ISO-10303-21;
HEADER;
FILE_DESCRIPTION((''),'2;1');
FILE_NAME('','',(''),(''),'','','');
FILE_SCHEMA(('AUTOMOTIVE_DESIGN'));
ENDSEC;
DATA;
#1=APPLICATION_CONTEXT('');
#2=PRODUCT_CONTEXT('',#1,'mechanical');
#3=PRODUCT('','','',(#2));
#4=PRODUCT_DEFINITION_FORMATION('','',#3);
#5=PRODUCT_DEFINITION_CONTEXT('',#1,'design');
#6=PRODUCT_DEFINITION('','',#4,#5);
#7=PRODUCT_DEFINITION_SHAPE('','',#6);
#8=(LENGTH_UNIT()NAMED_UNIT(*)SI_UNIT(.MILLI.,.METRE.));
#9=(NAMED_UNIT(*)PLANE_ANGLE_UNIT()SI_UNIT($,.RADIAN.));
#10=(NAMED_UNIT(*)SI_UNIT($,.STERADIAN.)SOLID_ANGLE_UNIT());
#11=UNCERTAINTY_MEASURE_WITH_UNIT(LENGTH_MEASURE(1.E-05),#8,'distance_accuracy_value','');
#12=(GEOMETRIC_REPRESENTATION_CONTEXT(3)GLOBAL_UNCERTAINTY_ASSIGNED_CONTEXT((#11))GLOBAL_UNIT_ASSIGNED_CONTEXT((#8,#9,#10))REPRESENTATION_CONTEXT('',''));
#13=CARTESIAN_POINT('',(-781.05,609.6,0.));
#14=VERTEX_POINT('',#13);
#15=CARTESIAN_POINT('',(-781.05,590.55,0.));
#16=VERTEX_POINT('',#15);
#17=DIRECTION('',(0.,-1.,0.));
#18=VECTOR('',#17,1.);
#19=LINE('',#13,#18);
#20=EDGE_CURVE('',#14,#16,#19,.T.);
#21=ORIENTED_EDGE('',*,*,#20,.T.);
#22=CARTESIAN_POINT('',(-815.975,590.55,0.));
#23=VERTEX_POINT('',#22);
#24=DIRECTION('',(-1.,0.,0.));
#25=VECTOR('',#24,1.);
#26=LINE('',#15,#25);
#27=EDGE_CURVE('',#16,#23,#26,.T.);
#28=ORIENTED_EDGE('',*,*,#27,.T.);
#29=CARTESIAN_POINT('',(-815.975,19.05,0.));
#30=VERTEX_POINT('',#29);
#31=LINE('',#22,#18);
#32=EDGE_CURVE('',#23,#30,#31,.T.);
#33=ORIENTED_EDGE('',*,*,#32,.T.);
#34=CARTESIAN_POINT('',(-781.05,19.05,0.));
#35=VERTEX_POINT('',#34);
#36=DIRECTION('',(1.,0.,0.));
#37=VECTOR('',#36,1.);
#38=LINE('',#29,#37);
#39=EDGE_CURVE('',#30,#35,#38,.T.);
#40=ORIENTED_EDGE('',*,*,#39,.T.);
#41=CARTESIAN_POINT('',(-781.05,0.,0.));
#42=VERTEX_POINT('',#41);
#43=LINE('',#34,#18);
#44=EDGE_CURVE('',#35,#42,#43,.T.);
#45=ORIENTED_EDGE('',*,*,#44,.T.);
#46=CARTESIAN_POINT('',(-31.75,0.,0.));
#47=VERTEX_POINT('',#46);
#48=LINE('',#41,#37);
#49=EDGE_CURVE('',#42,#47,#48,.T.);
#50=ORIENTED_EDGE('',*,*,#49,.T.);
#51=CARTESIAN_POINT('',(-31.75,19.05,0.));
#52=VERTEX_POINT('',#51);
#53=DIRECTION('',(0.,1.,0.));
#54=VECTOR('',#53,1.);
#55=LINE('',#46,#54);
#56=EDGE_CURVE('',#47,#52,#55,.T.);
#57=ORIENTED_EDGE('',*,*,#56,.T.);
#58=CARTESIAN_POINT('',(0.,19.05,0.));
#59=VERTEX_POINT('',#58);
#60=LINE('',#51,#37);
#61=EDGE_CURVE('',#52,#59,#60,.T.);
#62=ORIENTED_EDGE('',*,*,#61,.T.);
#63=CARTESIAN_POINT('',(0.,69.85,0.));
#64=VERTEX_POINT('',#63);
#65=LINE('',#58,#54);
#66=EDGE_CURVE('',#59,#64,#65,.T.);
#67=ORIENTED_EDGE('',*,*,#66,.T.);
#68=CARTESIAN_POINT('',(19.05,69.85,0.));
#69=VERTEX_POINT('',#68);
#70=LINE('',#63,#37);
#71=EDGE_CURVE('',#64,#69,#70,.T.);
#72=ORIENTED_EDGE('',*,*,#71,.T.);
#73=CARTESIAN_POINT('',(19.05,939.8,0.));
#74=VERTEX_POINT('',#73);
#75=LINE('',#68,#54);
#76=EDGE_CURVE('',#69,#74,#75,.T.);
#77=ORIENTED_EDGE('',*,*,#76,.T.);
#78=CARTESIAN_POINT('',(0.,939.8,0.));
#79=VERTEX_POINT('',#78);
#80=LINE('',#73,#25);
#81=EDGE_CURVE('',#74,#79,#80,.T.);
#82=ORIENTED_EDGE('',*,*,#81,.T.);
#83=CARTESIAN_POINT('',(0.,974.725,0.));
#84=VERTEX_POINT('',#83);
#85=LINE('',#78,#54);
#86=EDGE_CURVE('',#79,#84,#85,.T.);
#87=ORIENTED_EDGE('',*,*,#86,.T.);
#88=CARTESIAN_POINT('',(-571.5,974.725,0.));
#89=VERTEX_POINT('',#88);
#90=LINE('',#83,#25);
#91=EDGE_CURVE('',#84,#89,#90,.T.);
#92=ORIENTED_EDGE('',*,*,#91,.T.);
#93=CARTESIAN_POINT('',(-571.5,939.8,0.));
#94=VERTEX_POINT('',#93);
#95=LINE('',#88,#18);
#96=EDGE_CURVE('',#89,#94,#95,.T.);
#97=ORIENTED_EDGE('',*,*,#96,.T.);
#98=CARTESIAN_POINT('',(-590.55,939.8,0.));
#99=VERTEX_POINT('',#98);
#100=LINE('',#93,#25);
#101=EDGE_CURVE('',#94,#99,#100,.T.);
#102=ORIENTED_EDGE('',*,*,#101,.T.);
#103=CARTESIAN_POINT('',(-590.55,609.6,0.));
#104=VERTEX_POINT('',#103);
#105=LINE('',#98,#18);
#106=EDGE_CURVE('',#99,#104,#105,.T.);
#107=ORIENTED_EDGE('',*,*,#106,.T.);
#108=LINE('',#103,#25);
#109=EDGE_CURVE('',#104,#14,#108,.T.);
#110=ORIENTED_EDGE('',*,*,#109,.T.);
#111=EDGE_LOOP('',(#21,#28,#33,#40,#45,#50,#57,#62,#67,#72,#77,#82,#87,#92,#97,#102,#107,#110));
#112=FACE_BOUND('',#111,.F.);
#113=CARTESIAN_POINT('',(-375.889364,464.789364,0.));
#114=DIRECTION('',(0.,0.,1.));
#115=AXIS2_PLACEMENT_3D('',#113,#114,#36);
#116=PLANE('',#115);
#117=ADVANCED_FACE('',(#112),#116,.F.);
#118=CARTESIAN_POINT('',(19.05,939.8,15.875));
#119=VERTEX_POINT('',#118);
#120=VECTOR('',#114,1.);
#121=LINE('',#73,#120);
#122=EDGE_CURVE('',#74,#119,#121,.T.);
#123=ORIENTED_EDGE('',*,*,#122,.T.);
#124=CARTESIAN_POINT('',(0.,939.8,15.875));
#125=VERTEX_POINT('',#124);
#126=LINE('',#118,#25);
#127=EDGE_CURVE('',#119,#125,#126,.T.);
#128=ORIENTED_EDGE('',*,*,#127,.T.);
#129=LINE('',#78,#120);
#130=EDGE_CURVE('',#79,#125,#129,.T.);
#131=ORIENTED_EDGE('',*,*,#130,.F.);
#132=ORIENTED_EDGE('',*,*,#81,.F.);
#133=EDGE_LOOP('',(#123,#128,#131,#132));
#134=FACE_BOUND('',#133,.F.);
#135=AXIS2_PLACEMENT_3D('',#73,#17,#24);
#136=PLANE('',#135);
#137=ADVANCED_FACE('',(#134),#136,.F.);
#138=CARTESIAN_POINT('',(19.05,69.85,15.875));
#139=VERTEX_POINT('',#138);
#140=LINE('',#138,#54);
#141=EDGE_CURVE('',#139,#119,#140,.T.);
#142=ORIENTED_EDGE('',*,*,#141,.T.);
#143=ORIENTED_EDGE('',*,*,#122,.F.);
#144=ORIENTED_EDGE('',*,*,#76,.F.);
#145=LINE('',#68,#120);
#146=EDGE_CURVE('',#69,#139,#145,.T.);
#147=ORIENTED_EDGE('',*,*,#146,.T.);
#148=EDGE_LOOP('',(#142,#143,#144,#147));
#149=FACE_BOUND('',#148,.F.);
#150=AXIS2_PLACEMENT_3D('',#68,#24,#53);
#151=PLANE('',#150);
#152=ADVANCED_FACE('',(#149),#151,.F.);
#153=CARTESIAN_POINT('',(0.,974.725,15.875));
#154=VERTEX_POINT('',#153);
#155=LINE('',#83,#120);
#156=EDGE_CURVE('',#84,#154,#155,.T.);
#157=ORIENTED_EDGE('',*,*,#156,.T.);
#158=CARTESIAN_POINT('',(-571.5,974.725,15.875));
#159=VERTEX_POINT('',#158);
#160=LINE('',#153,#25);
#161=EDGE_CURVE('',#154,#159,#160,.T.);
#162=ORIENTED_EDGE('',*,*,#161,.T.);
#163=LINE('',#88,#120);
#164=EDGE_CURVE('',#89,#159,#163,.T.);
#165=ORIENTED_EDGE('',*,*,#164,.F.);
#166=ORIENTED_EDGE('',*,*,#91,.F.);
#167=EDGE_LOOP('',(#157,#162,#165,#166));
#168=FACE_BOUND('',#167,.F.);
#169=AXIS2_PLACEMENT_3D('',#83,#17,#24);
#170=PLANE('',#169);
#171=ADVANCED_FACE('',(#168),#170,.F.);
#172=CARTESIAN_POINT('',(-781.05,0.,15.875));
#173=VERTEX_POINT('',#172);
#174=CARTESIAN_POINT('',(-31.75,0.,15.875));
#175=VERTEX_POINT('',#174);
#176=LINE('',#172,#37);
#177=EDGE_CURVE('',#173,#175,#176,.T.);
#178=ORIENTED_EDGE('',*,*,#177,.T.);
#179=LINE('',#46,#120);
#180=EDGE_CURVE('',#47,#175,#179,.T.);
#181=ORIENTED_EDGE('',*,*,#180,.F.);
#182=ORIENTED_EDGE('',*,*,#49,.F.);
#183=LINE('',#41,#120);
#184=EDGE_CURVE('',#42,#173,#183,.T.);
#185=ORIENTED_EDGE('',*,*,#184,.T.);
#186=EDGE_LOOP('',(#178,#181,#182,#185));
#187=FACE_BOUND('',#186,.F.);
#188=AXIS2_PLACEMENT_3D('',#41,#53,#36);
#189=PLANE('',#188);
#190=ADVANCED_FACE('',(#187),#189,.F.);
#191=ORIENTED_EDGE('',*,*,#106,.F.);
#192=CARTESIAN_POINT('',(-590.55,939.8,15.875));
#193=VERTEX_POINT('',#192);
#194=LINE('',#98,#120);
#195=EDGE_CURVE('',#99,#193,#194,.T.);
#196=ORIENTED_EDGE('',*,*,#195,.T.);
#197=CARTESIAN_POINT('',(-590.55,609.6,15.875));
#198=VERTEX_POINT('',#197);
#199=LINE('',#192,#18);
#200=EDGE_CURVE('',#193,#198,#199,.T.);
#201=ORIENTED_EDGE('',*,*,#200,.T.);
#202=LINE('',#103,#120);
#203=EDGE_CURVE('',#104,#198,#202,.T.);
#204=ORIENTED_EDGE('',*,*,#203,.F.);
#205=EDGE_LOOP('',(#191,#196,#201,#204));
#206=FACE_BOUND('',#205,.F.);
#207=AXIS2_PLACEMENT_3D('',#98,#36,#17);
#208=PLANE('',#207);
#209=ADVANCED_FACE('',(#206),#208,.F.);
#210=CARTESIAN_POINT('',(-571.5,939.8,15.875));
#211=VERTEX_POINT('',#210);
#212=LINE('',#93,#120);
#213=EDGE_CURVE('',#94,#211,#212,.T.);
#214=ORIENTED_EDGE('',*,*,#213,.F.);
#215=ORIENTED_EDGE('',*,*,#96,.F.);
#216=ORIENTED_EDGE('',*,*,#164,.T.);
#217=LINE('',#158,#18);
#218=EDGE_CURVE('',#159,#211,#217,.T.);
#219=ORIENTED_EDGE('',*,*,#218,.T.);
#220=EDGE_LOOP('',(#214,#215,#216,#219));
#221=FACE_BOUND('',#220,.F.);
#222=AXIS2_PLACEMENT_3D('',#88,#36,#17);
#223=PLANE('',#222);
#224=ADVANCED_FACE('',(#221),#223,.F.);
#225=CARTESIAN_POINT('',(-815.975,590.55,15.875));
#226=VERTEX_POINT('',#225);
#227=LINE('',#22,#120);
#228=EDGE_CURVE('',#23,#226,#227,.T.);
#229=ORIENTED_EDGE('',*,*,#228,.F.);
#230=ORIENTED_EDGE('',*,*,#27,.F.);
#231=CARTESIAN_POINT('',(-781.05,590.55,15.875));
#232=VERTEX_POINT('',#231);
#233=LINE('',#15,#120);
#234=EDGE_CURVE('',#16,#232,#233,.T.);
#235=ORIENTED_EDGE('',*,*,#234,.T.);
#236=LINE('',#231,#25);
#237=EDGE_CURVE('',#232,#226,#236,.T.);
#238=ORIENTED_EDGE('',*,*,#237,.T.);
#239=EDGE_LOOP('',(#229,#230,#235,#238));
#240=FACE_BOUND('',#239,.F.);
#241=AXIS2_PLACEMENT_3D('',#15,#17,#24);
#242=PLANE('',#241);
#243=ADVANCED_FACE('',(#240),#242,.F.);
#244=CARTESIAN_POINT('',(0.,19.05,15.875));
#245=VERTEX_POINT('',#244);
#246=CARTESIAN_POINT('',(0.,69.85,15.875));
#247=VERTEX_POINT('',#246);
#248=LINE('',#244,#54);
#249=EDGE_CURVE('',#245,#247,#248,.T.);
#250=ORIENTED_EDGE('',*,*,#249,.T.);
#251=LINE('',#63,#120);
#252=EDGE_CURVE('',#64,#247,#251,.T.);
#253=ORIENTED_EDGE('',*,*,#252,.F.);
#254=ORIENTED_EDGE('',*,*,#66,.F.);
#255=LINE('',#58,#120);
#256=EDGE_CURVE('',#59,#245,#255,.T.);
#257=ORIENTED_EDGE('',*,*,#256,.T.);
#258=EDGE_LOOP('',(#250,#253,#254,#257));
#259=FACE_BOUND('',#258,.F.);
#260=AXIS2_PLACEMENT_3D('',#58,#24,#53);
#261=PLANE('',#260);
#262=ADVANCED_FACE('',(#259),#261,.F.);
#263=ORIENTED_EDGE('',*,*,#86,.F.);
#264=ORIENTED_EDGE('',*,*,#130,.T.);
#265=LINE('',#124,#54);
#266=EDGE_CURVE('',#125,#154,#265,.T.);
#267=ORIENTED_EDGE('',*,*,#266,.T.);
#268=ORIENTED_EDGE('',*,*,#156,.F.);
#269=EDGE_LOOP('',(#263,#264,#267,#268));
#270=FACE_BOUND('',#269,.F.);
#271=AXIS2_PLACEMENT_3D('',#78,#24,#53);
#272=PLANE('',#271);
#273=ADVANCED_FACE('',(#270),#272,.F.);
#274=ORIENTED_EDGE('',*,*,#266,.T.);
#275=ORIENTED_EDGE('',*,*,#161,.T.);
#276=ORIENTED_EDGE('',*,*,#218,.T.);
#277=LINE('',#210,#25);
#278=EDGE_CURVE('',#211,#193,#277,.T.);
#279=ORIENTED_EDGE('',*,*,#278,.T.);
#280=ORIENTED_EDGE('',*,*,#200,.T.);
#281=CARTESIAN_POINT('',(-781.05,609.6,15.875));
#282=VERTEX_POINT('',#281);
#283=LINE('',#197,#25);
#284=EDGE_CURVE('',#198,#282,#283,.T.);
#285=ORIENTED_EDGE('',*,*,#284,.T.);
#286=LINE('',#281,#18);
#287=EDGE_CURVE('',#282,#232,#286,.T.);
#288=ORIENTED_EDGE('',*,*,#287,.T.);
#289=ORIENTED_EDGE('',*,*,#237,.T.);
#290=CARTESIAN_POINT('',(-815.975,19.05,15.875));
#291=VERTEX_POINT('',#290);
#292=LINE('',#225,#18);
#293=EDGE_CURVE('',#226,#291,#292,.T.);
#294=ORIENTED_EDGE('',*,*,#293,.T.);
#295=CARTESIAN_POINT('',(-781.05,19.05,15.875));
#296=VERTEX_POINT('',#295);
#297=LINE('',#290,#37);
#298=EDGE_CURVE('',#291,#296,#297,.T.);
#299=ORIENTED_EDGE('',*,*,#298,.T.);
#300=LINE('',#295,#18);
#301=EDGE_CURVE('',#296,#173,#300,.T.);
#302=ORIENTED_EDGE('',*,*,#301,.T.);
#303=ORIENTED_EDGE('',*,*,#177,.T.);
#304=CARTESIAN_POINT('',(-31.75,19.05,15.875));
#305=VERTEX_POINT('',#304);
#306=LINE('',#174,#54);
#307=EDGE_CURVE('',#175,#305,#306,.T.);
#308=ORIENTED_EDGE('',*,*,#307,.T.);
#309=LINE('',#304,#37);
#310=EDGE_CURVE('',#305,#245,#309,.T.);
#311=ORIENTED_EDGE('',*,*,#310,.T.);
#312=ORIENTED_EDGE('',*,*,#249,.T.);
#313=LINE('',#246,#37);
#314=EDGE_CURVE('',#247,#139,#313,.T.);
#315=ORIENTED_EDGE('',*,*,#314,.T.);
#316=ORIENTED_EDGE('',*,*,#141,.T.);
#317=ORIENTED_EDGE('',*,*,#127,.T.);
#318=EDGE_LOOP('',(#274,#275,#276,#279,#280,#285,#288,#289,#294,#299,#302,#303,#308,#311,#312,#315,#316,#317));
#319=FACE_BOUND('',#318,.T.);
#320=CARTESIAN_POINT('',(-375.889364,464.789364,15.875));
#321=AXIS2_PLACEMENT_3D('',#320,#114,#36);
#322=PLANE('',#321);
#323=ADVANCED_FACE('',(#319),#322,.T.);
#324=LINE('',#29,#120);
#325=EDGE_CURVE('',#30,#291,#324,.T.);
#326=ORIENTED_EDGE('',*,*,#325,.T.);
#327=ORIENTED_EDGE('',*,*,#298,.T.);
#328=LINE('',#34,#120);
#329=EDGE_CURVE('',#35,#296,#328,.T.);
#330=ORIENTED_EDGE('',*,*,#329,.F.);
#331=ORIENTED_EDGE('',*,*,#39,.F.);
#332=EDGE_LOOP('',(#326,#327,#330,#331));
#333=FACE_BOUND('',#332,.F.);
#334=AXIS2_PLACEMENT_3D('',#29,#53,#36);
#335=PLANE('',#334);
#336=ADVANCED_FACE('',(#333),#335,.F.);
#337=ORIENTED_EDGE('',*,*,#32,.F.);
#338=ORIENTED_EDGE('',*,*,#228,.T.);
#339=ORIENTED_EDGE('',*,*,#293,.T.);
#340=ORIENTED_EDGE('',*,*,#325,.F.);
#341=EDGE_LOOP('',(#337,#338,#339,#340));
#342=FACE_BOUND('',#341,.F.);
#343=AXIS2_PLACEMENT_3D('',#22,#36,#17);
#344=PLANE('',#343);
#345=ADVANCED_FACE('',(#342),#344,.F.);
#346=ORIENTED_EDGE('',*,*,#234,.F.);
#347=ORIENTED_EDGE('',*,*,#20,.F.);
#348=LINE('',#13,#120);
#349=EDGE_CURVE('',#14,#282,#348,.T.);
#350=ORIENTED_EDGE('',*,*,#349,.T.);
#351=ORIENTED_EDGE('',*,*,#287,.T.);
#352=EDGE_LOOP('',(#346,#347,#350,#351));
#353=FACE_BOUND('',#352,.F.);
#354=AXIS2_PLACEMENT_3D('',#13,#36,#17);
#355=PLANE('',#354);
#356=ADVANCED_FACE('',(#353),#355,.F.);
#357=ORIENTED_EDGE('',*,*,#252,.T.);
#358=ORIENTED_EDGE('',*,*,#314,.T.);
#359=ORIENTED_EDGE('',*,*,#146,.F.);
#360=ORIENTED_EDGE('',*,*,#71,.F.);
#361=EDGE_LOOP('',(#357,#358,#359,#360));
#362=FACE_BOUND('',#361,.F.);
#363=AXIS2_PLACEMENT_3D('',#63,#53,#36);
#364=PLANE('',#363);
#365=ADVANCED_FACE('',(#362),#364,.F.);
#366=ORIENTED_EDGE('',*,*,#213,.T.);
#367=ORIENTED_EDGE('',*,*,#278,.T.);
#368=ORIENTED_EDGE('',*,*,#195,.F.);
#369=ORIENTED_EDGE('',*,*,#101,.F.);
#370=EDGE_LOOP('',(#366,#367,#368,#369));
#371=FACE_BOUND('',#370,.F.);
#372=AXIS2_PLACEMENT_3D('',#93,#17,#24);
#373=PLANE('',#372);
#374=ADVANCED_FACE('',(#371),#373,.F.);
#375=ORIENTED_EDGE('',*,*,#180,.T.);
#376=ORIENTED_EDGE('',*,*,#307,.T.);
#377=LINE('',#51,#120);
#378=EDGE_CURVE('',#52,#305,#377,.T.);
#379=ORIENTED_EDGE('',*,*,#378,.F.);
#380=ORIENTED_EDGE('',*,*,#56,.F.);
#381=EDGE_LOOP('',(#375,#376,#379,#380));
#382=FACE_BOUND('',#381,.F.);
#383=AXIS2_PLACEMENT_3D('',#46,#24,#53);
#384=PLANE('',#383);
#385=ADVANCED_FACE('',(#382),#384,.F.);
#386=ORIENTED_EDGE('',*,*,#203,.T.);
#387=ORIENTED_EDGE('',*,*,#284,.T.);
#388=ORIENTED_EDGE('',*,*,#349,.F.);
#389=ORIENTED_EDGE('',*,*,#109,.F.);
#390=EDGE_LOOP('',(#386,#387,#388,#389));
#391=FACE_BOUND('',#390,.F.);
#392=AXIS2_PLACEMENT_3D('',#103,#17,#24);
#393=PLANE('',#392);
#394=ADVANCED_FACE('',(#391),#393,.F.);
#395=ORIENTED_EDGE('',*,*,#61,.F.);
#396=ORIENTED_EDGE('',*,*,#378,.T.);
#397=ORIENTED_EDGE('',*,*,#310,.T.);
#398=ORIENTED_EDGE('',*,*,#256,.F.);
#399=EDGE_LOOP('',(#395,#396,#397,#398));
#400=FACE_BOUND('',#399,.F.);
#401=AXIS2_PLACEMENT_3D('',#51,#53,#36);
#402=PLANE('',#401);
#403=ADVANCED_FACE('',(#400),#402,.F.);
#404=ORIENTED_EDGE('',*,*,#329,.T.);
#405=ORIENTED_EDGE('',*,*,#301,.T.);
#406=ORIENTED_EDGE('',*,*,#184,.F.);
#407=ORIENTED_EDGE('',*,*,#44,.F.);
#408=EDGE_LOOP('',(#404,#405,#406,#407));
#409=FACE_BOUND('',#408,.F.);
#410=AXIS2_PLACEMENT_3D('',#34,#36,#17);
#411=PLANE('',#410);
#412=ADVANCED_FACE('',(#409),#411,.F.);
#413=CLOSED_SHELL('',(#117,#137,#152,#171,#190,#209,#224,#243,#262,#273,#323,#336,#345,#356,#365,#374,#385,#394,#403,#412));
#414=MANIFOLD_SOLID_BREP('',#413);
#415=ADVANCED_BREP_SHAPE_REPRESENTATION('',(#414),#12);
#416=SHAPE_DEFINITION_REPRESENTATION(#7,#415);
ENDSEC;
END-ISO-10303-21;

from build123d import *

# Parameters (mm, degrees)
F1_DEPTH = 15.875


with BuildPart() as f1:
    # F0 (on Top) → F1 (new body)
    with BuildSketch(Plane.XY):
        Polygon((-781.05, 0), (-31.75, 0), (-31.75, 19.05), (0, 19.05), (0, 69.85), (19.05, 69.85), (19.05, 939.8), (0, 939.8), (0, 974.725), (-571.5, 974.725), (-571.5, 939.8), (-590.55, 939.8), (-590.55, 609.6), (-781.05, 609.6), (-781.05, 590.55), (-815.975, 590.55), (-815.975, 19.05), (-781.05, 19.05), align=None)
    extrude(amount=F1_DEPTH)


solid = f1.part
